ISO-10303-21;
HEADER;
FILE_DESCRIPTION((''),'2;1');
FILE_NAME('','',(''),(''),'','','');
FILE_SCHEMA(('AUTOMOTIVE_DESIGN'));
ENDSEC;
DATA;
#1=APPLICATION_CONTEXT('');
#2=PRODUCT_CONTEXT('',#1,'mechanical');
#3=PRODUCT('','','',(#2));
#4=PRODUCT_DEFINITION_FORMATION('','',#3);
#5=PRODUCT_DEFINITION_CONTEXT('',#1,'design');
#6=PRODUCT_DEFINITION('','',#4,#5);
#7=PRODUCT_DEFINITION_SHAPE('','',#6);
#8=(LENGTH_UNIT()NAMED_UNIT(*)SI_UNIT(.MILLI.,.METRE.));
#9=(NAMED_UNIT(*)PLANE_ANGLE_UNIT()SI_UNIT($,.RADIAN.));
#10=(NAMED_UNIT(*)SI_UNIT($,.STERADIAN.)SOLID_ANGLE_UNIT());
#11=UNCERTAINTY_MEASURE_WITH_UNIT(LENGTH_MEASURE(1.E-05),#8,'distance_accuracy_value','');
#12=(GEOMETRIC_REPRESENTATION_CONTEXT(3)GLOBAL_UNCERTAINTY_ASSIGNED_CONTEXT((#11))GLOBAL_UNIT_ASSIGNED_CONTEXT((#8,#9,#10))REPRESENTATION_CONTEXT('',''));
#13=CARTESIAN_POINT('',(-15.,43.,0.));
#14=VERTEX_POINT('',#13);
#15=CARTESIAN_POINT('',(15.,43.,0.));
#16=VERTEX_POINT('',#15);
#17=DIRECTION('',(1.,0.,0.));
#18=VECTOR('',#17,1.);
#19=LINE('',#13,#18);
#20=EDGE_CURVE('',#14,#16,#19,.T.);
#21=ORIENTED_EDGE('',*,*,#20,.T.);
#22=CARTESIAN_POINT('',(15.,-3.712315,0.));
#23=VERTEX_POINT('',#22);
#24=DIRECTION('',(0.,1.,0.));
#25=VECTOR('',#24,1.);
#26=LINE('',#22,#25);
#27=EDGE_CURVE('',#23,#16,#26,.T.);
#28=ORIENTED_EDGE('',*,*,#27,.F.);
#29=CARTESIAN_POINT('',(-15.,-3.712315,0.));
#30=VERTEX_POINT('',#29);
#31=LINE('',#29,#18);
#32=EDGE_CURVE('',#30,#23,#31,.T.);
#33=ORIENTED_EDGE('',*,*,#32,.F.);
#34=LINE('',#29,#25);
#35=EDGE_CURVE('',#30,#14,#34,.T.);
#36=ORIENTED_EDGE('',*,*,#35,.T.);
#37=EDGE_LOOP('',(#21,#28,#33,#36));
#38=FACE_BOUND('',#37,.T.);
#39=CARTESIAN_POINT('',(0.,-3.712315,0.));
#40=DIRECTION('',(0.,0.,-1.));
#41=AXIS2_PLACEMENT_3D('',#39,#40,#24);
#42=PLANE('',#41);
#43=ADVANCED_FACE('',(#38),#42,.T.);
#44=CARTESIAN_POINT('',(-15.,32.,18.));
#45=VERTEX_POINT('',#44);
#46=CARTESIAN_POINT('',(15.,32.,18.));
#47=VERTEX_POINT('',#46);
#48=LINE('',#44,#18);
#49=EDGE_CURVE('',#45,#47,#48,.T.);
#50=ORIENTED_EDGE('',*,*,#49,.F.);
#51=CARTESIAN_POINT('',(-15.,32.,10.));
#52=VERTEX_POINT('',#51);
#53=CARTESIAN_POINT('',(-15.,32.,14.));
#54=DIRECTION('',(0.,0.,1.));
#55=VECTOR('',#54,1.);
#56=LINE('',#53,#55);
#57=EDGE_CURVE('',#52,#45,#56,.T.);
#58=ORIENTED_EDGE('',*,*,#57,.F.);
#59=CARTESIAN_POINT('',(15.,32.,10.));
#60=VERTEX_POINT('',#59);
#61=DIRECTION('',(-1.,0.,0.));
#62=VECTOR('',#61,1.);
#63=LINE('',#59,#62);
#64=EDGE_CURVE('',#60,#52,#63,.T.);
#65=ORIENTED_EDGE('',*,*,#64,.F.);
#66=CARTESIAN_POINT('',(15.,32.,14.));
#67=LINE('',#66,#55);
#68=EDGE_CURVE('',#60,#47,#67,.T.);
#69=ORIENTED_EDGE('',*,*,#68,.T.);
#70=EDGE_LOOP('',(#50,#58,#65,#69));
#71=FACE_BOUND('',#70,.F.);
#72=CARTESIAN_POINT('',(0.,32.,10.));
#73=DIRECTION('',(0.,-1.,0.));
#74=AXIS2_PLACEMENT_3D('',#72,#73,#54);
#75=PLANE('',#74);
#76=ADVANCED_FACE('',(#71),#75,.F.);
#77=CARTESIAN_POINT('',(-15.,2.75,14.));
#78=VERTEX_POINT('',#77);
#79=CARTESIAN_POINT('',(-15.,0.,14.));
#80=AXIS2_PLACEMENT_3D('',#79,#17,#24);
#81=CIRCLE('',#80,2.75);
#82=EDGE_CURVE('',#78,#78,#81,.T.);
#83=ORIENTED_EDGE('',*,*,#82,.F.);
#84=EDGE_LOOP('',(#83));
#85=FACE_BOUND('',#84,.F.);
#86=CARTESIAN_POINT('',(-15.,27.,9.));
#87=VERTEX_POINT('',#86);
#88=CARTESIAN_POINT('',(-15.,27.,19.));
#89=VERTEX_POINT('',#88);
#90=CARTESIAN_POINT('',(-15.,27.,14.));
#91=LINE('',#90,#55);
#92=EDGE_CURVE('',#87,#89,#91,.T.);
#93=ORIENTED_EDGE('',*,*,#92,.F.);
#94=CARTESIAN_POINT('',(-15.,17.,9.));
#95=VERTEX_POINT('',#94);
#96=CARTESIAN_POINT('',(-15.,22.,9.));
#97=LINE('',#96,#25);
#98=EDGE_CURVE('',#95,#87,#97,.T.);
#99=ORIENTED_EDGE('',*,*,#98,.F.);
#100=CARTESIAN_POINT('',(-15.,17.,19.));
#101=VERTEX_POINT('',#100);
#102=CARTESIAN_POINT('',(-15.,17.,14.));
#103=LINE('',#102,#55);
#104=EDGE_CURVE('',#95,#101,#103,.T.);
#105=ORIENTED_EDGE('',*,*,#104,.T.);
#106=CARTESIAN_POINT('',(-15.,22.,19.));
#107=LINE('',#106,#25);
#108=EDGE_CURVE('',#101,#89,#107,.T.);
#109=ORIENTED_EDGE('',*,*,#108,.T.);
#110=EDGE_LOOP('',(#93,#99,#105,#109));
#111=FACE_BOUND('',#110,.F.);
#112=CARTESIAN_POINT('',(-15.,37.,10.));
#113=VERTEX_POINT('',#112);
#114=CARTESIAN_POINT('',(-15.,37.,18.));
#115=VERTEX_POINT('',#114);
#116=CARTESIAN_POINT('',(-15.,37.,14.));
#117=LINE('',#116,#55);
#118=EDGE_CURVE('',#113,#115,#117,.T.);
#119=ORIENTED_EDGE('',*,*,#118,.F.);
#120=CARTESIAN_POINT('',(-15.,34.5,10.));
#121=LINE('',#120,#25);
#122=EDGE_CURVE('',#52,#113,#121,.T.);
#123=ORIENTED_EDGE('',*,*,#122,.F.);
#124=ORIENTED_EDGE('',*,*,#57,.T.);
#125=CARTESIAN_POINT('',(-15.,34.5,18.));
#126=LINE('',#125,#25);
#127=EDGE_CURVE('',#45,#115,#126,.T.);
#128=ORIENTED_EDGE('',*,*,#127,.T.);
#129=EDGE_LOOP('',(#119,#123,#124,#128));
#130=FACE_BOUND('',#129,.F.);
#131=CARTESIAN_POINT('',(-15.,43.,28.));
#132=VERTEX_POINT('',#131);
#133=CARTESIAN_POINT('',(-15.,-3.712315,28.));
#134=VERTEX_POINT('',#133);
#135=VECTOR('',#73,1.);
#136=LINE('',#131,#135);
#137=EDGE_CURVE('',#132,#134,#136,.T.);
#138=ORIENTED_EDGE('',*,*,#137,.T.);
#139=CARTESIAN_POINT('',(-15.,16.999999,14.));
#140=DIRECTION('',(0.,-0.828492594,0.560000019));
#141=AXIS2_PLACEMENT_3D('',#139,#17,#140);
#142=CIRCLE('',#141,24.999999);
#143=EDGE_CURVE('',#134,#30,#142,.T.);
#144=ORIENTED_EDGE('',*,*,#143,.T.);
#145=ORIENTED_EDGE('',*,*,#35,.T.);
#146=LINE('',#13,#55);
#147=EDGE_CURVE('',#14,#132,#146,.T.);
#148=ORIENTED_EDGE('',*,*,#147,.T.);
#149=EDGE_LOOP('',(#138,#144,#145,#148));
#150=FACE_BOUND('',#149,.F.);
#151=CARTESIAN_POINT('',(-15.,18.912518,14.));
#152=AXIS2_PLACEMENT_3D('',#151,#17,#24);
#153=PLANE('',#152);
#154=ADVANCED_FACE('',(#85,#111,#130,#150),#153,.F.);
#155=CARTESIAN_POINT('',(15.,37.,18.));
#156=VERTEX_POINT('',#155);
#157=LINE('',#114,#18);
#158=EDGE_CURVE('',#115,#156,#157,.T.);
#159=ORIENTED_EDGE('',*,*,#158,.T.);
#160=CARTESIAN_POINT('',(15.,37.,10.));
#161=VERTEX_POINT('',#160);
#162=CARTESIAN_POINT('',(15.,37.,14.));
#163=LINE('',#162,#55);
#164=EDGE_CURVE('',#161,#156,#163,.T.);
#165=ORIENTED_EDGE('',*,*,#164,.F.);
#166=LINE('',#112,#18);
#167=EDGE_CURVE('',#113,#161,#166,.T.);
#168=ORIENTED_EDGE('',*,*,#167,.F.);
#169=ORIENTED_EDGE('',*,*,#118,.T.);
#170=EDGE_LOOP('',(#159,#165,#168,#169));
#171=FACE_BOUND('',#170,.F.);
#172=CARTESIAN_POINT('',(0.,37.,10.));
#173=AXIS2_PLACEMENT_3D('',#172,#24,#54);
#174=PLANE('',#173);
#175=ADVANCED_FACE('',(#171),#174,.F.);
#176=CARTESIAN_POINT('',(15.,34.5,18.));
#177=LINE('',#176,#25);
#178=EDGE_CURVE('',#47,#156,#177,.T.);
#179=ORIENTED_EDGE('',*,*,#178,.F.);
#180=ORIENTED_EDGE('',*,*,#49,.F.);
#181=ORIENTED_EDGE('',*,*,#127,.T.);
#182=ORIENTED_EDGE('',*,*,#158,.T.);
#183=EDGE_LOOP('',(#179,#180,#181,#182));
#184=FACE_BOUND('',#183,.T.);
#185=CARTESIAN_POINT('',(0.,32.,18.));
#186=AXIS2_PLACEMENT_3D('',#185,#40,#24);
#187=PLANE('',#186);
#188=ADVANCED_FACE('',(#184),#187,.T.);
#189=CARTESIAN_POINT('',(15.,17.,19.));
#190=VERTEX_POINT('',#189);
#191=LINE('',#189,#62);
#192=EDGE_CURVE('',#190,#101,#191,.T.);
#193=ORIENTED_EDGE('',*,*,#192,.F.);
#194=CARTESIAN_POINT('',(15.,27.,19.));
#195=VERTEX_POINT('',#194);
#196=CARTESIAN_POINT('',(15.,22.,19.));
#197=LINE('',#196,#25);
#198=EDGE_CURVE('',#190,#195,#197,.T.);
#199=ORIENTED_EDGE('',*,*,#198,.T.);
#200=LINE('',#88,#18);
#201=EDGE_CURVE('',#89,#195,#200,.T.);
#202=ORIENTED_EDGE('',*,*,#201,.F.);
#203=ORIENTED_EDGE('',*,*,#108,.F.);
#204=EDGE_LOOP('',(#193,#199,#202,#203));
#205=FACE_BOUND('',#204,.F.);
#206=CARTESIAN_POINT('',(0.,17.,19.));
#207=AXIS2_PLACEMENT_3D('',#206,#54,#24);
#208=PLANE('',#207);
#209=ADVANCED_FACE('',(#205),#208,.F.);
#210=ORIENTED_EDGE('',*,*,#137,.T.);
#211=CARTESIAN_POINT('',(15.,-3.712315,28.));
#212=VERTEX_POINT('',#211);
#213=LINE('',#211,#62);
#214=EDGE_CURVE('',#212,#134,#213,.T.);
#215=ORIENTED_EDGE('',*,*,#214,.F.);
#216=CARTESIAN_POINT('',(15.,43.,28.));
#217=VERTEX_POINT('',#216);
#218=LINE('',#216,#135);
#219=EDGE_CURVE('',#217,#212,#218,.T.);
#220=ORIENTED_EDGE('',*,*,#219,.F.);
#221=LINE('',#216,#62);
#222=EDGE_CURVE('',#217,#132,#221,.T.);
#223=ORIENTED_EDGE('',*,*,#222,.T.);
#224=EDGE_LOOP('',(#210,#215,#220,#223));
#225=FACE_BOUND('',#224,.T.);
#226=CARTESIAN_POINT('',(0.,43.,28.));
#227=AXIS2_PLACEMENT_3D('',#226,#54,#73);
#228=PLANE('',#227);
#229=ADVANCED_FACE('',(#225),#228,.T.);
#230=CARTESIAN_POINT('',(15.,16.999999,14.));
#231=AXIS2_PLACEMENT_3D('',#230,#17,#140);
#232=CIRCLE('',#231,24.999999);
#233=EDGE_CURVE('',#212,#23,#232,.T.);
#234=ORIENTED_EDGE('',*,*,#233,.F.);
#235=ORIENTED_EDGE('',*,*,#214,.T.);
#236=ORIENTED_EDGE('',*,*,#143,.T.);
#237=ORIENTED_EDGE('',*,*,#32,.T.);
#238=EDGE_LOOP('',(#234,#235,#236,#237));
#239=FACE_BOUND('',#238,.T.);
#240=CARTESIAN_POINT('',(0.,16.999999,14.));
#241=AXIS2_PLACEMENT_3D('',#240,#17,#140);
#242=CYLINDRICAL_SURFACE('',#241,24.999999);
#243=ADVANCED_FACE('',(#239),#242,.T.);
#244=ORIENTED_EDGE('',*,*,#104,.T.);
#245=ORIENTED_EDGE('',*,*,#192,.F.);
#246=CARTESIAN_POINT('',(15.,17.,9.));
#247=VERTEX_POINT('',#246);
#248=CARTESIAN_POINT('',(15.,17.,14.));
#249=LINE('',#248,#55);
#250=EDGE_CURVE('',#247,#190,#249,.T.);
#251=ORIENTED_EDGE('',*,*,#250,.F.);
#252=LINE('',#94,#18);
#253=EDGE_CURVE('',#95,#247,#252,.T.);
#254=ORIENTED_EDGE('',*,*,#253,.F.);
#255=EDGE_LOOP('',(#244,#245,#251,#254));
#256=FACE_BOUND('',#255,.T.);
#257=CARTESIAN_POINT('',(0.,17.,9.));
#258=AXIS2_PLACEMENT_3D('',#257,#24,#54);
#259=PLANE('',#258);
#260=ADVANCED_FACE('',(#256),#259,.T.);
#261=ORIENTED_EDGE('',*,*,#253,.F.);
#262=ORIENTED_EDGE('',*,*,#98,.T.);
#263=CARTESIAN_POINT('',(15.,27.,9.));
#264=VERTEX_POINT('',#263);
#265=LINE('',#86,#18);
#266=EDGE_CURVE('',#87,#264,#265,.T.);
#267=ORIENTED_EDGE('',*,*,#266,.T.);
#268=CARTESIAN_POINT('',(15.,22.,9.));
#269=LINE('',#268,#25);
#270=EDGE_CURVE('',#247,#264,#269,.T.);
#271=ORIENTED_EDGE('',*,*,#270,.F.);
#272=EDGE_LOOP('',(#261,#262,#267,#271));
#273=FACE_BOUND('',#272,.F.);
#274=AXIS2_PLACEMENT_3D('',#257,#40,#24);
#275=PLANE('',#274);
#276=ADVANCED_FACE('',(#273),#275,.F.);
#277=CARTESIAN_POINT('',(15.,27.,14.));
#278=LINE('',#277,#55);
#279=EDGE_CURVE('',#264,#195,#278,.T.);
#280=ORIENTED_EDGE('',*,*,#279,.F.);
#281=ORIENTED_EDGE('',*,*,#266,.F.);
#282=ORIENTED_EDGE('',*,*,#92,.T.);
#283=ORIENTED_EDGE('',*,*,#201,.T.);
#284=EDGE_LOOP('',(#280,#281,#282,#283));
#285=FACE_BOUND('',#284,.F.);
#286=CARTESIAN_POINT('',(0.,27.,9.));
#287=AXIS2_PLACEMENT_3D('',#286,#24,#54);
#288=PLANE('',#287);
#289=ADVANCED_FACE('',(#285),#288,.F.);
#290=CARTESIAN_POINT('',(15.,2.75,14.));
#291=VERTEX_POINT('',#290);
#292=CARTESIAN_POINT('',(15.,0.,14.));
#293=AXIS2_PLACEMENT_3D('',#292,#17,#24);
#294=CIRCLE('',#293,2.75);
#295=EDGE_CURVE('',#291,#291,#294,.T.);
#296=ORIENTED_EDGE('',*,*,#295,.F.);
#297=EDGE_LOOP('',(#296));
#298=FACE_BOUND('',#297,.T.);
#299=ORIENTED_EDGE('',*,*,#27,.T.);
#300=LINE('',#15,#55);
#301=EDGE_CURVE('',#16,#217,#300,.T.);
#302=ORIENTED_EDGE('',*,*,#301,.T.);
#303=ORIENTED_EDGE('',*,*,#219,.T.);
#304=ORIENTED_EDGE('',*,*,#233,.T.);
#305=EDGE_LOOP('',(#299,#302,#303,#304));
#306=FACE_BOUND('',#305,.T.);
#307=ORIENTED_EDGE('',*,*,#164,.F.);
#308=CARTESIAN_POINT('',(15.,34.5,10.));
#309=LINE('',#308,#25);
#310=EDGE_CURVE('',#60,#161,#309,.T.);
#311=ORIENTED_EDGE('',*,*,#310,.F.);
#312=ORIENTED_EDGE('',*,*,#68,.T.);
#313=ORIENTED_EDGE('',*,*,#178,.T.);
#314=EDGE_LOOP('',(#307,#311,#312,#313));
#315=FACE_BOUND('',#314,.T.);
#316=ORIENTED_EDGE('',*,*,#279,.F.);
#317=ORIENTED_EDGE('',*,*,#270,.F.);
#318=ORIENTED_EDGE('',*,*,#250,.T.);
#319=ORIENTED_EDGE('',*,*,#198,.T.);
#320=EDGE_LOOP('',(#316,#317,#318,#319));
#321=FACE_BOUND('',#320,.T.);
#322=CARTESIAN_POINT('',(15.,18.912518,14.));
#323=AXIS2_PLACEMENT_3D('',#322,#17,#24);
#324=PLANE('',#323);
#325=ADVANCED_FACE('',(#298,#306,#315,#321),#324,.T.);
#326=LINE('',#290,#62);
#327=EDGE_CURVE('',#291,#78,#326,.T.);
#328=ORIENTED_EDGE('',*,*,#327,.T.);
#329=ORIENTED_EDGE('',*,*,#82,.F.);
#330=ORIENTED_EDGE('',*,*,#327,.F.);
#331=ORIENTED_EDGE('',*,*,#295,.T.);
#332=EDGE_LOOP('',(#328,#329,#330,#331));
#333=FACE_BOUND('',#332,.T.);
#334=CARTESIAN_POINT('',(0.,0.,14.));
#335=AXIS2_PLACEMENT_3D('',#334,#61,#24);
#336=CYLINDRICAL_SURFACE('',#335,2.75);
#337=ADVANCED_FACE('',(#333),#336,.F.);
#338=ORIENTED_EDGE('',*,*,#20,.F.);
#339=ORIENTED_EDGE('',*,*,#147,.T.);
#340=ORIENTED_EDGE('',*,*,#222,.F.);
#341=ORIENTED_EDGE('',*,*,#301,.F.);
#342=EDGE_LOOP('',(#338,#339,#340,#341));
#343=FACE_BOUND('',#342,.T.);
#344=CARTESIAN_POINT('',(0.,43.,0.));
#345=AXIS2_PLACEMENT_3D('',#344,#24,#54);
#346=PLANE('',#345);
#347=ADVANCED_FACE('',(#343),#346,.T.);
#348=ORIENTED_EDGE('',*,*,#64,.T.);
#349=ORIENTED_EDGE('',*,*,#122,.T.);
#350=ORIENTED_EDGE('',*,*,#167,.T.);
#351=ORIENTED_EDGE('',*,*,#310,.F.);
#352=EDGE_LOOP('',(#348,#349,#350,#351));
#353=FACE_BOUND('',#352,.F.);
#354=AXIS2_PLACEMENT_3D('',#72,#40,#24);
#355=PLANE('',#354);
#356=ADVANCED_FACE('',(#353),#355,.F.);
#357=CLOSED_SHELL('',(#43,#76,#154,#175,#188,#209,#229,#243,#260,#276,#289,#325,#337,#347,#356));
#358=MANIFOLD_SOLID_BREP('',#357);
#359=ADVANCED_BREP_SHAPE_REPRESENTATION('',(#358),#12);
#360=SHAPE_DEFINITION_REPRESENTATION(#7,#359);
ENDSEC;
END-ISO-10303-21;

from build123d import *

# Parameters (mm, degrees)
F0_R     = 2.75
F0_W     = 10
F0_H     = 10
F0_W_2   = 5
F0_H_2   = 8
F1_DEPTH = 15


with BuildPart() as f1:
    # F0 (on Right) → F1 (new body, symmetric)
    with BuildSketch(Plane.YZ):
        with BuildLine():
            ThreePointArc((-3.712315, 28), (-8, 14), (-3.712315, 0))
            Line((-3.712315, 0), (43, 0))
            Line((43, 0), (43, 28))
            Line((43, 28), (-3.712315, 28))
        make_face()
        with Locations((0, 14)):
            Circle(F0_R, mode=Mode.SUBTRACT)
        with Locations((22, 14)):
            Rectangle(F0_W, F0_H, mode=Mode.SUBTRACT)
        with Locations((34.5, 14)):
            Rectangle(F0_W_2, F0_H_2, mode=Mode.SUBTRACT)
    extrude(amount=F1_DEPTH, both=True)


solid = f1.part
